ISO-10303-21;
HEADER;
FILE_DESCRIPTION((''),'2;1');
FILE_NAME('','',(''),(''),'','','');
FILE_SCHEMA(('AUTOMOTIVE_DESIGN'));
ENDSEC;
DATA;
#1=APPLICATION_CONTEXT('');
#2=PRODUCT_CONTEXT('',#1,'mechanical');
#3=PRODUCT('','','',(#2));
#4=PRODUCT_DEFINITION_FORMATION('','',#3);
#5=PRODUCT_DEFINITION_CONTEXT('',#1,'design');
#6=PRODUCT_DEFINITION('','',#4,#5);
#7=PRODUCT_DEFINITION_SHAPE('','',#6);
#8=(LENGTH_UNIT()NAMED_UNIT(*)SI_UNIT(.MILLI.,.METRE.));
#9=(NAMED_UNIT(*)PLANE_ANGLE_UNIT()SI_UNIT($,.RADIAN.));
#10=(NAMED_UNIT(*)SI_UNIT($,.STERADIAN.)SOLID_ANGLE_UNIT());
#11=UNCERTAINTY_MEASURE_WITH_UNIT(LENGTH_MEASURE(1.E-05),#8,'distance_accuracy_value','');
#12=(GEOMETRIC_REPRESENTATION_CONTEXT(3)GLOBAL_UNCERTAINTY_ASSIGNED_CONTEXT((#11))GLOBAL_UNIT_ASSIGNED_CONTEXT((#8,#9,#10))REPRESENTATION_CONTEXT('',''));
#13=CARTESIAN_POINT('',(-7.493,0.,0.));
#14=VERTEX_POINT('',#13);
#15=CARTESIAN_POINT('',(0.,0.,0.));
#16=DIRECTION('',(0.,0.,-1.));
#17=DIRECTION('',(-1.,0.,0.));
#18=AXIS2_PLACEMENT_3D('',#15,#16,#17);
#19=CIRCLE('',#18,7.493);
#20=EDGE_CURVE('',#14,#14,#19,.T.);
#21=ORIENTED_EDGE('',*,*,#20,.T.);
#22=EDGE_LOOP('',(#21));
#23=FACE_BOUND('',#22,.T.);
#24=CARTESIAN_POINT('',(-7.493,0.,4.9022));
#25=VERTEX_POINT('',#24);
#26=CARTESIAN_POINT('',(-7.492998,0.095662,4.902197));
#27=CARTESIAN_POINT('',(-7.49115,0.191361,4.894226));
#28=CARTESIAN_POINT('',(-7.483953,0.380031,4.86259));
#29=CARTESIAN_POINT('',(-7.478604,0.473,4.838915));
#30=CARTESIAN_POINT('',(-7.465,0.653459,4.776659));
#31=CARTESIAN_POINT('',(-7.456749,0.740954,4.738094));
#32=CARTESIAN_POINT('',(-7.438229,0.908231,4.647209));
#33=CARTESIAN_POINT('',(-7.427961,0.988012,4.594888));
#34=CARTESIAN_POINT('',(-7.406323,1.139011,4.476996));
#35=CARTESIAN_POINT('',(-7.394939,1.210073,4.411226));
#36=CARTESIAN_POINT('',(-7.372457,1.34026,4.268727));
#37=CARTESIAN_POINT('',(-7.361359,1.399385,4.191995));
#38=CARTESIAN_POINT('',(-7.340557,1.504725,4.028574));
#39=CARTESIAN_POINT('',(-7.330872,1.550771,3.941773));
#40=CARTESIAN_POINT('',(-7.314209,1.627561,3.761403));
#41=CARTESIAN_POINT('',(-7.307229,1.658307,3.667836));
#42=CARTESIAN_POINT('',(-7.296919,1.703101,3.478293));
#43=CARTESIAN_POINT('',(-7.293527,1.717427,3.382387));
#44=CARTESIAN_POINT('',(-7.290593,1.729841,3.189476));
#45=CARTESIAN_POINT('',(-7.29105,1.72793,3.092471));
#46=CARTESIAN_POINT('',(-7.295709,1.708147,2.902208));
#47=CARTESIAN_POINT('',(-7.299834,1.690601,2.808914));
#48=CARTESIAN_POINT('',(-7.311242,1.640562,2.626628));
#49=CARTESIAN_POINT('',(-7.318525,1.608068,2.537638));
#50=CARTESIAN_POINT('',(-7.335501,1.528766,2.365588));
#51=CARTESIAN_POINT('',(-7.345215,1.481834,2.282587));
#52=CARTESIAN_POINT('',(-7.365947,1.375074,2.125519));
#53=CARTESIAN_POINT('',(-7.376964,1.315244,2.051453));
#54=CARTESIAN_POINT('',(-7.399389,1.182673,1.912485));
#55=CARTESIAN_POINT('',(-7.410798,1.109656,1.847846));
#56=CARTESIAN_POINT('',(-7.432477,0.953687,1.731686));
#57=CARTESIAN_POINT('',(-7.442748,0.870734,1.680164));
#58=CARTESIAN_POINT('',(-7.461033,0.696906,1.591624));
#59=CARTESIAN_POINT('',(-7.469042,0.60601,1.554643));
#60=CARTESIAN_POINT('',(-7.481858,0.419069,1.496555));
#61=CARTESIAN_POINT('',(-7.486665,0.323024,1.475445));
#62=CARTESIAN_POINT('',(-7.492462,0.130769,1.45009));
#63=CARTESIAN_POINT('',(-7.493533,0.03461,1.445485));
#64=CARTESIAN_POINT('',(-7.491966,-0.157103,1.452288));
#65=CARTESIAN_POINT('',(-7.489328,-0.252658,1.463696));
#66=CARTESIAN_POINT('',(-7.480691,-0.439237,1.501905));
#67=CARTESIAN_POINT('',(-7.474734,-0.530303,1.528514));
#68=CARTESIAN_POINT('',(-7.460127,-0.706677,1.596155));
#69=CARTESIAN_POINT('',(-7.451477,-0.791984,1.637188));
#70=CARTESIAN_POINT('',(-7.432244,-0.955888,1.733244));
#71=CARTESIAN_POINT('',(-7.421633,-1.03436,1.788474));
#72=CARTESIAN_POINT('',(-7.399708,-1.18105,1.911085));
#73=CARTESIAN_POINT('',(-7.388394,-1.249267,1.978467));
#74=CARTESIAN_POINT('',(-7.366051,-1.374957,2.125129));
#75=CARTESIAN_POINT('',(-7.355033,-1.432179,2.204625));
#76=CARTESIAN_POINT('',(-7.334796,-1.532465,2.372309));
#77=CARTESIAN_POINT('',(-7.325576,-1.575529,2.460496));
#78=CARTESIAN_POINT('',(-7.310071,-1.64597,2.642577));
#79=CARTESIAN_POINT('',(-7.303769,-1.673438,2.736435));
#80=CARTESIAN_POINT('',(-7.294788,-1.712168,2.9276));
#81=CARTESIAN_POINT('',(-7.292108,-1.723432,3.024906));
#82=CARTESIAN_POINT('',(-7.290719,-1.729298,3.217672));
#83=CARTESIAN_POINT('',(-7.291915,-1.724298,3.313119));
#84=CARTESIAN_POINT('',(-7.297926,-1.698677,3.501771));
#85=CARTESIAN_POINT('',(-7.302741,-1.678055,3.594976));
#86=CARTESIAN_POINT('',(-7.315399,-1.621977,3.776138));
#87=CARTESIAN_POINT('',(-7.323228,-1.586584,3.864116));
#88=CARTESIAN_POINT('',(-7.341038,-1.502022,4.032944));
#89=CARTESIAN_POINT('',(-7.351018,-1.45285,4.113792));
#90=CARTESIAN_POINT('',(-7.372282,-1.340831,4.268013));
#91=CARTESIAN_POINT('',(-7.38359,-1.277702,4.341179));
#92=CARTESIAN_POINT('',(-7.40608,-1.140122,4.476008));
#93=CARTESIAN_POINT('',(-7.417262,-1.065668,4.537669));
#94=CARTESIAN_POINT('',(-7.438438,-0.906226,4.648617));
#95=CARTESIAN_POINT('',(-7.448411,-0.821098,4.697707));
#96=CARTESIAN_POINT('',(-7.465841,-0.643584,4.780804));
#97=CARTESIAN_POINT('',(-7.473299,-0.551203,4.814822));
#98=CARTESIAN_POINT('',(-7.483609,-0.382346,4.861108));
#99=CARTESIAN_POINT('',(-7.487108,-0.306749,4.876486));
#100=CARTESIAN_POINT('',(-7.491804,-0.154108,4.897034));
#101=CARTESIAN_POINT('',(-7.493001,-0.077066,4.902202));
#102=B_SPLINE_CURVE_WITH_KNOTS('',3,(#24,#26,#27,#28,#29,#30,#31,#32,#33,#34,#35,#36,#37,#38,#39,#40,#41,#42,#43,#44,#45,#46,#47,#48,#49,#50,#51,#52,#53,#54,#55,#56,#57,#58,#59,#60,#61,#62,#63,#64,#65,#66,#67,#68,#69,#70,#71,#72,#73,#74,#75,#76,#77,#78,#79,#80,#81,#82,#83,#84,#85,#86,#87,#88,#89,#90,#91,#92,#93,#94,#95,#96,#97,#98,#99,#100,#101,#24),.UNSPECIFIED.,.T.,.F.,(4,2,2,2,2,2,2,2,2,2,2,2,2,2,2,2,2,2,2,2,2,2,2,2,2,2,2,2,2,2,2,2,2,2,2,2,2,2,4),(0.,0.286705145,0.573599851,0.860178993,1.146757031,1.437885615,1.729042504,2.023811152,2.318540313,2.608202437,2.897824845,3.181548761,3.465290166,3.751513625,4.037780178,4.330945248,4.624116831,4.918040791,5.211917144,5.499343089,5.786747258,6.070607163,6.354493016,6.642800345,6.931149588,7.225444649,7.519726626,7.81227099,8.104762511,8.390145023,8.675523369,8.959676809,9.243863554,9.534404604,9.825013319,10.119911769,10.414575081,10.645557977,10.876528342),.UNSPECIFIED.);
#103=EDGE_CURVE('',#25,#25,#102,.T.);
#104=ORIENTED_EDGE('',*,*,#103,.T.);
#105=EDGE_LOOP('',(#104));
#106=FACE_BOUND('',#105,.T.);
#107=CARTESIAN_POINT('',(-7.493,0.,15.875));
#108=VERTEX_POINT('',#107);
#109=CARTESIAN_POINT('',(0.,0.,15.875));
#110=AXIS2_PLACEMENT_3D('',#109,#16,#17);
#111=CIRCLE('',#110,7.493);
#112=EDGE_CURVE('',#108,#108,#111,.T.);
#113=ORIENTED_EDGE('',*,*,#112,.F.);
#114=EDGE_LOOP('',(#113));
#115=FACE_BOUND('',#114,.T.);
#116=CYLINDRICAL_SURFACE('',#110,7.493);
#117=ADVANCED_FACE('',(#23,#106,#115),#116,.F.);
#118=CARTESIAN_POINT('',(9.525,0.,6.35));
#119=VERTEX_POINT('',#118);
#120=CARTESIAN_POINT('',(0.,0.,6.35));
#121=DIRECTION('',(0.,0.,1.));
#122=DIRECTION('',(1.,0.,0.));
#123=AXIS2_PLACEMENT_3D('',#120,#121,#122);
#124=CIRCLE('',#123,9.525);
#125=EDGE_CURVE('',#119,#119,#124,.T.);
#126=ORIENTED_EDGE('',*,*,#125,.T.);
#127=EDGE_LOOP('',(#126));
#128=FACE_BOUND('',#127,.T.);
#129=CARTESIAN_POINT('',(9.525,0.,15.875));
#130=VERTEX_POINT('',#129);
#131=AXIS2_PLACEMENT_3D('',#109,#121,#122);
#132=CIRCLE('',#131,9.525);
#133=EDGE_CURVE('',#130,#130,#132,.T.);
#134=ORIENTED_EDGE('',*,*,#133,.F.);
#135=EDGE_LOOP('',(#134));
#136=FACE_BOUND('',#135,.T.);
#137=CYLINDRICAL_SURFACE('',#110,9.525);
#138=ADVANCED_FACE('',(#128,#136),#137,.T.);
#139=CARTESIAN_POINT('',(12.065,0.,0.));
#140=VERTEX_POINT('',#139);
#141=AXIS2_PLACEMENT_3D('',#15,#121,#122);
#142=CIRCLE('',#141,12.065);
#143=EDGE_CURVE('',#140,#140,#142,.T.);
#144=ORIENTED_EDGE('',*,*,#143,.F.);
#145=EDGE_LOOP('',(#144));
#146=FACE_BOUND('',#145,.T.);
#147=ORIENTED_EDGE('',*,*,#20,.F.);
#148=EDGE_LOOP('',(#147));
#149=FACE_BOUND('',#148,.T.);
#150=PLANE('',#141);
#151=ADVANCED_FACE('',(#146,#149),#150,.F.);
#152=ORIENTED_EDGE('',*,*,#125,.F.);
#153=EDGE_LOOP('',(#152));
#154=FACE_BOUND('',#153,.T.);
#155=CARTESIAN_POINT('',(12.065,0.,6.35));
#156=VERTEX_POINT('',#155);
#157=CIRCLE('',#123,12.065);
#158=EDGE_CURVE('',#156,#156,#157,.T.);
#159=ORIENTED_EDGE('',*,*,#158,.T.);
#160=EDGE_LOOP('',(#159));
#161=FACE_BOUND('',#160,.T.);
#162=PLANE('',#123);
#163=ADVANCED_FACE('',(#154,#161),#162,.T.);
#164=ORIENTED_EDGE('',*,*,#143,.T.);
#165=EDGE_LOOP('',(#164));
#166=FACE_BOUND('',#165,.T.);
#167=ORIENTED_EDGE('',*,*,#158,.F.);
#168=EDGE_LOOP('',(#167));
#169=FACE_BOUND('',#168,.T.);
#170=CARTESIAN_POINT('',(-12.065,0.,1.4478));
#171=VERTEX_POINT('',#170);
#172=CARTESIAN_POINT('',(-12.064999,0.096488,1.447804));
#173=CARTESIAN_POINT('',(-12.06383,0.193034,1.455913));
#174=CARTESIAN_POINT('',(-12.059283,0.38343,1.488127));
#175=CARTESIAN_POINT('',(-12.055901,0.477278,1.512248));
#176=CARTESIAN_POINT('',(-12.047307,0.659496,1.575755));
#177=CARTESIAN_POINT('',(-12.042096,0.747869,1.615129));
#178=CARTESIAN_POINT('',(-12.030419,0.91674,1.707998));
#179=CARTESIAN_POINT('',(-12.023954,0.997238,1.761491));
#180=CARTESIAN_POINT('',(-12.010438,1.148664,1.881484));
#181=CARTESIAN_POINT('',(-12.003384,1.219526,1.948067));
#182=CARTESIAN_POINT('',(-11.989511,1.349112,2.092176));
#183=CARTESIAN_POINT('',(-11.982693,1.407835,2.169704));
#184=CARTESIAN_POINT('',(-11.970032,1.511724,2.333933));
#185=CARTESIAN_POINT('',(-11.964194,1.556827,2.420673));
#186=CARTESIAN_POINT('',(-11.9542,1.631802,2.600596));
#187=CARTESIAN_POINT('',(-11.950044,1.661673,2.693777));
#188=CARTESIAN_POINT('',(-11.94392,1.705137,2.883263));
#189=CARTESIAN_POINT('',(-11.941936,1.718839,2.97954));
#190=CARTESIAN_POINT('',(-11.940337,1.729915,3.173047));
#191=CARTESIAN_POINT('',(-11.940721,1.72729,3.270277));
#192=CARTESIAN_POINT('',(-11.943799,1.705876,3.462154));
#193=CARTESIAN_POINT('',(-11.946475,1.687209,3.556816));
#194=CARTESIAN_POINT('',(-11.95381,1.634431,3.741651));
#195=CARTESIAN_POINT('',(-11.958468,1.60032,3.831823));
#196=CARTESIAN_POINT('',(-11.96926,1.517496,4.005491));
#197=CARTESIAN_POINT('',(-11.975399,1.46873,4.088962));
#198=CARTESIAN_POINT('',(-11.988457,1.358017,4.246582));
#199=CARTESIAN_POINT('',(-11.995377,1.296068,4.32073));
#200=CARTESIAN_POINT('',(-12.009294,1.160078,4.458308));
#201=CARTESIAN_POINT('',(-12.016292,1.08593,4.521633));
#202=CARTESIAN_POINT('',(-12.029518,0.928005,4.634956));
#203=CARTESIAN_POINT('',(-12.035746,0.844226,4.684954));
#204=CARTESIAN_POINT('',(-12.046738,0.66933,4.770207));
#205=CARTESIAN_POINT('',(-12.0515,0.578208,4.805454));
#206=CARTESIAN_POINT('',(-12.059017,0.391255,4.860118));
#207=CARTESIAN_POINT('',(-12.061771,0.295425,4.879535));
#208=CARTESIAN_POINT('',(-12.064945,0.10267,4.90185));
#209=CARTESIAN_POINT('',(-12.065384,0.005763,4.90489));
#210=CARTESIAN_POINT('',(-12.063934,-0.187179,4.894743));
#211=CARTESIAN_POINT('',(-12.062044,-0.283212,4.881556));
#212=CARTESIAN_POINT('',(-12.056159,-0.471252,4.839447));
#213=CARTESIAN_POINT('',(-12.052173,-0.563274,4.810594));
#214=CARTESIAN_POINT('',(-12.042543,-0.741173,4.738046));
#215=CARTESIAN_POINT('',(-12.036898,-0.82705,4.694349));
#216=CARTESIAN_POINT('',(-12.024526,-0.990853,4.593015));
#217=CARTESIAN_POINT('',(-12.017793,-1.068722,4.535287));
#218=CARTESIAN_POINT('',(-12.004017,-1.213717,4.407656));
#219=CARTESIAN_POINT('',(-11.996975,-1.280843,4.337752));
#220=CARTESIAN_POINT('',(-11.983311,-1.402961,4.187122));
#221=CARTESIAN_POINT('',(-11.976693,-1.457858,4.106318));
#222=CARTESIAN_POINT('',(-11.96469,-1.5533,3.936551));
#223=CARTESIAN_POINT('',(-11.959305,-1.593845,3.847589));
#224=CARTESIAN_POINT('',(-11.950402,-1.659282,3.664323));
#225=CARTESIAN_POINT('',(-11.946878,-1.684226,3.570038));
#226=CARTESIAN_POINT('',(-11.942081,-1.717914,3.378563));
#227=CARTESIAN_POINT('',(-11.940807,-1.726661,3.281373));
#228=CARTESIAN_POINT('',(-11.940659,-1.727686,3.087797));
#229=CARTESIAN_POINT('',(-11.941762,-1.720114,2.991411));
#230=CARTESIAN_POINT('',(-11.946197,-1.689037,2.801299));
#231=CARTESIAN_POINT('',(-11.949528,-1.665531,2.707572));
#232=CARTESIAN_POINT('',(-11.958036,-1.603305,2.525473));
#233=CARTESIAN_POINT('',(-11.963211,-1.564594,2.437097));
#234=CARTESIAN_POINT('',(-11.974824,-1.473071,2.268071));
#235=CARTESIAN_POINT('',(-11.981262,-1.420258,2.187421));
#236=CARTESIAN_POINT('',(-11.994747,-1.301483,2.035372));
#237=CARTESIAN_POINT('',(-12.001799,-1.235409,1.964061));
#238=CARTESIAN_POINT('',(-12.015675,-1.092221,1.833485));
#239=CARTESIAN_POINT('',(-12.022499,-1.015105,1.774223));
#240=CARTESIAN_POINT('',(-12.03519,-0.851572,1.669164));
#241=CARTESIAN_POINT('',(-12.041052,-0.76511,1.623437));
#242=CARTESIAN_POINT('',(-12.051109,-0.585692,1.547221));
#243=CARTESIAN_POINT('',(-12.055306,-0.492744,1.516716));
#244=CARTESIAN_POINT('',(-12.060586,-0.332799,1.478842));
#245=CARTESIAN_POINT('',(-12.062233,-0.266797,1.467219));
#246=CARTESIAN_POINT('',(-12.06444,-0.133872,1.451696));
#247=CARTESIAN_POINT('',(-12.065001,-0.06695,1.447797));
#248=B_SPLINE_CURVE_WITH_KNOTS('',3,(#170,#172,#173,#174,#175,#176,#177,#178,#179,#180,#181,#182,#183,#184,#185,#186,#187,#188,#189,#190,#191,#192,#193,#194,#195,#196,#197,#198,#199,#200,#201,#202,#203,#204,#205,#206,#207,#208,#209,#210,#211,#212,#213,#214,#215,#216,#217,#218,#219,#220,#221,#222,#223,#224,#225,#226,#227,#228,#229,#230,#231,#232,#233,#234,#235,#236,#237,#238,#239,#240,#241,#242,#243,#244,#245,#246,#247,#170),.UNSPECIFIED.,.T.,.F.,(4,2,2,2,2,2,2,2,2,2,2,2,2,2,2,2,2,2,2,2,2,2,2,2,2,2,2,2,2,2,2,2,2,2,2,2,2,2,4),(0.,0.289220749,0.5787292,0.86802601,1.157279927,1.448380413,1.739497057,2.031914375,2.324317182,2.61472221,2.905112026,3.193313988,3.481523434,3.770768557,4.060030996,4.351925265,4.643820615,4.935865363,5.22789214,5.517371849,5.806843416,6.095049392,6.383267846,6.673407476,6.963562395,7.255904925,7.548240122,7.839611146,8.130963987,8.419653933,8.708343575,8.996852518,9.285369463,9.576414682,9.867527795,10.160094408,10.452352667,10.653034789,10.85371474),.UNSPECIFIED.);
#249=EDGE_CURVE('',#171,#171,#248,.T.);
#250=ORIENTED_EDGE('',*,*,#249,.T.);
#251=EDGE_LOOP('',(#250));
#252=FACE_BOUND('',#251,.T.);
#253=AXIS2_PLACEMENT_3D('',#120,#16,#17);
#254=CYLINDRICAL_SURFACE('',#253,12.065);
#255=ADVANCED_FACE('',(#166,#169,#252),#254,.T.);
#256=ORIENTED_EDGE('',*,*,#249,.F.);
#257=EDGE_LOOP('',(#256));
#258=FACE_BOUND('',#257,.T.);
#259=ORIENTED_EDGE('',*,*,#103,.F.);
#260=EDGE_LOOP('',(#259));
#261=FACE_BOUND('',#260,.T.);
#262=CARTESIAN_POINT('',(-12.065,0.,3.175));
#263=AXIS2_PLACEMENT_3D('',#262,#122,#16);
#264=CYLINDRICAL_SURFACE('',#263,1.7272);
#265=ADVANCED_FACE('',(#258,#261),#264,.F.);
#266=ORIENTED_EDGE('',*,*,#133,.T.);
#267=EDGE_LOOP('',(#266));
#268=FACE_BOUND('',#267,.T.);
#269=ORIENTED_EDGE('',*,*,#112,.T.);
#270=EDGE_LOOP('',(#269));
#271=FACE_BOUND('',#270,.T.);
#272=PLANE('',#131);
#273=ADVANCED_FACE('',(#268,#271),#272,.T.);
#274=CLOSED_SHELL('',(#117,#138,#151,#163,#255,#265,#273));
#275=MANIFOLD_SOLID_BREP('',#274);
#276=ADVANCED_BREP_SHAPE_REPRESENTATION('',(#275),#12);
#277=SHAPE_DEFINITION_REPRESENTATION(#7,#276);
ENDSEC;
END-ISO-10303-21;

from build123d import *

# Parameters (mm, degrees)
SKETCH1_R           = 12.065
BOSS_EXTRUDE1_DEPTH = 6.35
SKETCH2_R           = 9.525
BOSS_EXTRUDE2_DEPTH = 9.525
SKETCH3_R           = 7.493
CUT_EXTRUDE1_DEPTH  = 16.875
SKETCH4_R           = 1.7272
CUT_EXTRUDE2_DEPTH  = 13.065


with BuildPart() as part:
    # Sketch1 → Boss-Extrude1 (new body)
    with BuildSketch(Plane.XY):
        Circle(SKETCH1_R)
    extrude(amount=BOSS_EXTRUDE1_DEPTH)

    # Sketch2 → Boss-Extrude2 (add)
    with BuildSketch(Plane.XY.offset(6.35)):
        Circle(SKETCH2_R)
    extrude(amount=BOSS_EXTRUDE2_DEPTH)

    # Sketch3 → Cut-Extrude1 (cut, through all)
    with BuildSketch(Plane(origin=(0, 0, 0), x_dir=(-1, 0, 0), z_dir=(0, 0, -1))):
        Circle(SKETCH3_R)
    extrude(amount=-CUT_EXTRUDE1_DEPTH, mode=Mode.SUBTRACT)

    # Sketch4 → Cut-Extrude2 (cut, through all)
    with BuildSketch(Plane(origin=(0, 0, 0), x_dir=(0, 0, -1), z_dir=(1, 0, 0))):
        with Locations((-3.175, 0)):
            Circle(SKETCH4_R)
    extrude(amount=-CUT_EXTRUDE2_DEPTH, mode=Mode.SUBTRACT)


solid = part.part
